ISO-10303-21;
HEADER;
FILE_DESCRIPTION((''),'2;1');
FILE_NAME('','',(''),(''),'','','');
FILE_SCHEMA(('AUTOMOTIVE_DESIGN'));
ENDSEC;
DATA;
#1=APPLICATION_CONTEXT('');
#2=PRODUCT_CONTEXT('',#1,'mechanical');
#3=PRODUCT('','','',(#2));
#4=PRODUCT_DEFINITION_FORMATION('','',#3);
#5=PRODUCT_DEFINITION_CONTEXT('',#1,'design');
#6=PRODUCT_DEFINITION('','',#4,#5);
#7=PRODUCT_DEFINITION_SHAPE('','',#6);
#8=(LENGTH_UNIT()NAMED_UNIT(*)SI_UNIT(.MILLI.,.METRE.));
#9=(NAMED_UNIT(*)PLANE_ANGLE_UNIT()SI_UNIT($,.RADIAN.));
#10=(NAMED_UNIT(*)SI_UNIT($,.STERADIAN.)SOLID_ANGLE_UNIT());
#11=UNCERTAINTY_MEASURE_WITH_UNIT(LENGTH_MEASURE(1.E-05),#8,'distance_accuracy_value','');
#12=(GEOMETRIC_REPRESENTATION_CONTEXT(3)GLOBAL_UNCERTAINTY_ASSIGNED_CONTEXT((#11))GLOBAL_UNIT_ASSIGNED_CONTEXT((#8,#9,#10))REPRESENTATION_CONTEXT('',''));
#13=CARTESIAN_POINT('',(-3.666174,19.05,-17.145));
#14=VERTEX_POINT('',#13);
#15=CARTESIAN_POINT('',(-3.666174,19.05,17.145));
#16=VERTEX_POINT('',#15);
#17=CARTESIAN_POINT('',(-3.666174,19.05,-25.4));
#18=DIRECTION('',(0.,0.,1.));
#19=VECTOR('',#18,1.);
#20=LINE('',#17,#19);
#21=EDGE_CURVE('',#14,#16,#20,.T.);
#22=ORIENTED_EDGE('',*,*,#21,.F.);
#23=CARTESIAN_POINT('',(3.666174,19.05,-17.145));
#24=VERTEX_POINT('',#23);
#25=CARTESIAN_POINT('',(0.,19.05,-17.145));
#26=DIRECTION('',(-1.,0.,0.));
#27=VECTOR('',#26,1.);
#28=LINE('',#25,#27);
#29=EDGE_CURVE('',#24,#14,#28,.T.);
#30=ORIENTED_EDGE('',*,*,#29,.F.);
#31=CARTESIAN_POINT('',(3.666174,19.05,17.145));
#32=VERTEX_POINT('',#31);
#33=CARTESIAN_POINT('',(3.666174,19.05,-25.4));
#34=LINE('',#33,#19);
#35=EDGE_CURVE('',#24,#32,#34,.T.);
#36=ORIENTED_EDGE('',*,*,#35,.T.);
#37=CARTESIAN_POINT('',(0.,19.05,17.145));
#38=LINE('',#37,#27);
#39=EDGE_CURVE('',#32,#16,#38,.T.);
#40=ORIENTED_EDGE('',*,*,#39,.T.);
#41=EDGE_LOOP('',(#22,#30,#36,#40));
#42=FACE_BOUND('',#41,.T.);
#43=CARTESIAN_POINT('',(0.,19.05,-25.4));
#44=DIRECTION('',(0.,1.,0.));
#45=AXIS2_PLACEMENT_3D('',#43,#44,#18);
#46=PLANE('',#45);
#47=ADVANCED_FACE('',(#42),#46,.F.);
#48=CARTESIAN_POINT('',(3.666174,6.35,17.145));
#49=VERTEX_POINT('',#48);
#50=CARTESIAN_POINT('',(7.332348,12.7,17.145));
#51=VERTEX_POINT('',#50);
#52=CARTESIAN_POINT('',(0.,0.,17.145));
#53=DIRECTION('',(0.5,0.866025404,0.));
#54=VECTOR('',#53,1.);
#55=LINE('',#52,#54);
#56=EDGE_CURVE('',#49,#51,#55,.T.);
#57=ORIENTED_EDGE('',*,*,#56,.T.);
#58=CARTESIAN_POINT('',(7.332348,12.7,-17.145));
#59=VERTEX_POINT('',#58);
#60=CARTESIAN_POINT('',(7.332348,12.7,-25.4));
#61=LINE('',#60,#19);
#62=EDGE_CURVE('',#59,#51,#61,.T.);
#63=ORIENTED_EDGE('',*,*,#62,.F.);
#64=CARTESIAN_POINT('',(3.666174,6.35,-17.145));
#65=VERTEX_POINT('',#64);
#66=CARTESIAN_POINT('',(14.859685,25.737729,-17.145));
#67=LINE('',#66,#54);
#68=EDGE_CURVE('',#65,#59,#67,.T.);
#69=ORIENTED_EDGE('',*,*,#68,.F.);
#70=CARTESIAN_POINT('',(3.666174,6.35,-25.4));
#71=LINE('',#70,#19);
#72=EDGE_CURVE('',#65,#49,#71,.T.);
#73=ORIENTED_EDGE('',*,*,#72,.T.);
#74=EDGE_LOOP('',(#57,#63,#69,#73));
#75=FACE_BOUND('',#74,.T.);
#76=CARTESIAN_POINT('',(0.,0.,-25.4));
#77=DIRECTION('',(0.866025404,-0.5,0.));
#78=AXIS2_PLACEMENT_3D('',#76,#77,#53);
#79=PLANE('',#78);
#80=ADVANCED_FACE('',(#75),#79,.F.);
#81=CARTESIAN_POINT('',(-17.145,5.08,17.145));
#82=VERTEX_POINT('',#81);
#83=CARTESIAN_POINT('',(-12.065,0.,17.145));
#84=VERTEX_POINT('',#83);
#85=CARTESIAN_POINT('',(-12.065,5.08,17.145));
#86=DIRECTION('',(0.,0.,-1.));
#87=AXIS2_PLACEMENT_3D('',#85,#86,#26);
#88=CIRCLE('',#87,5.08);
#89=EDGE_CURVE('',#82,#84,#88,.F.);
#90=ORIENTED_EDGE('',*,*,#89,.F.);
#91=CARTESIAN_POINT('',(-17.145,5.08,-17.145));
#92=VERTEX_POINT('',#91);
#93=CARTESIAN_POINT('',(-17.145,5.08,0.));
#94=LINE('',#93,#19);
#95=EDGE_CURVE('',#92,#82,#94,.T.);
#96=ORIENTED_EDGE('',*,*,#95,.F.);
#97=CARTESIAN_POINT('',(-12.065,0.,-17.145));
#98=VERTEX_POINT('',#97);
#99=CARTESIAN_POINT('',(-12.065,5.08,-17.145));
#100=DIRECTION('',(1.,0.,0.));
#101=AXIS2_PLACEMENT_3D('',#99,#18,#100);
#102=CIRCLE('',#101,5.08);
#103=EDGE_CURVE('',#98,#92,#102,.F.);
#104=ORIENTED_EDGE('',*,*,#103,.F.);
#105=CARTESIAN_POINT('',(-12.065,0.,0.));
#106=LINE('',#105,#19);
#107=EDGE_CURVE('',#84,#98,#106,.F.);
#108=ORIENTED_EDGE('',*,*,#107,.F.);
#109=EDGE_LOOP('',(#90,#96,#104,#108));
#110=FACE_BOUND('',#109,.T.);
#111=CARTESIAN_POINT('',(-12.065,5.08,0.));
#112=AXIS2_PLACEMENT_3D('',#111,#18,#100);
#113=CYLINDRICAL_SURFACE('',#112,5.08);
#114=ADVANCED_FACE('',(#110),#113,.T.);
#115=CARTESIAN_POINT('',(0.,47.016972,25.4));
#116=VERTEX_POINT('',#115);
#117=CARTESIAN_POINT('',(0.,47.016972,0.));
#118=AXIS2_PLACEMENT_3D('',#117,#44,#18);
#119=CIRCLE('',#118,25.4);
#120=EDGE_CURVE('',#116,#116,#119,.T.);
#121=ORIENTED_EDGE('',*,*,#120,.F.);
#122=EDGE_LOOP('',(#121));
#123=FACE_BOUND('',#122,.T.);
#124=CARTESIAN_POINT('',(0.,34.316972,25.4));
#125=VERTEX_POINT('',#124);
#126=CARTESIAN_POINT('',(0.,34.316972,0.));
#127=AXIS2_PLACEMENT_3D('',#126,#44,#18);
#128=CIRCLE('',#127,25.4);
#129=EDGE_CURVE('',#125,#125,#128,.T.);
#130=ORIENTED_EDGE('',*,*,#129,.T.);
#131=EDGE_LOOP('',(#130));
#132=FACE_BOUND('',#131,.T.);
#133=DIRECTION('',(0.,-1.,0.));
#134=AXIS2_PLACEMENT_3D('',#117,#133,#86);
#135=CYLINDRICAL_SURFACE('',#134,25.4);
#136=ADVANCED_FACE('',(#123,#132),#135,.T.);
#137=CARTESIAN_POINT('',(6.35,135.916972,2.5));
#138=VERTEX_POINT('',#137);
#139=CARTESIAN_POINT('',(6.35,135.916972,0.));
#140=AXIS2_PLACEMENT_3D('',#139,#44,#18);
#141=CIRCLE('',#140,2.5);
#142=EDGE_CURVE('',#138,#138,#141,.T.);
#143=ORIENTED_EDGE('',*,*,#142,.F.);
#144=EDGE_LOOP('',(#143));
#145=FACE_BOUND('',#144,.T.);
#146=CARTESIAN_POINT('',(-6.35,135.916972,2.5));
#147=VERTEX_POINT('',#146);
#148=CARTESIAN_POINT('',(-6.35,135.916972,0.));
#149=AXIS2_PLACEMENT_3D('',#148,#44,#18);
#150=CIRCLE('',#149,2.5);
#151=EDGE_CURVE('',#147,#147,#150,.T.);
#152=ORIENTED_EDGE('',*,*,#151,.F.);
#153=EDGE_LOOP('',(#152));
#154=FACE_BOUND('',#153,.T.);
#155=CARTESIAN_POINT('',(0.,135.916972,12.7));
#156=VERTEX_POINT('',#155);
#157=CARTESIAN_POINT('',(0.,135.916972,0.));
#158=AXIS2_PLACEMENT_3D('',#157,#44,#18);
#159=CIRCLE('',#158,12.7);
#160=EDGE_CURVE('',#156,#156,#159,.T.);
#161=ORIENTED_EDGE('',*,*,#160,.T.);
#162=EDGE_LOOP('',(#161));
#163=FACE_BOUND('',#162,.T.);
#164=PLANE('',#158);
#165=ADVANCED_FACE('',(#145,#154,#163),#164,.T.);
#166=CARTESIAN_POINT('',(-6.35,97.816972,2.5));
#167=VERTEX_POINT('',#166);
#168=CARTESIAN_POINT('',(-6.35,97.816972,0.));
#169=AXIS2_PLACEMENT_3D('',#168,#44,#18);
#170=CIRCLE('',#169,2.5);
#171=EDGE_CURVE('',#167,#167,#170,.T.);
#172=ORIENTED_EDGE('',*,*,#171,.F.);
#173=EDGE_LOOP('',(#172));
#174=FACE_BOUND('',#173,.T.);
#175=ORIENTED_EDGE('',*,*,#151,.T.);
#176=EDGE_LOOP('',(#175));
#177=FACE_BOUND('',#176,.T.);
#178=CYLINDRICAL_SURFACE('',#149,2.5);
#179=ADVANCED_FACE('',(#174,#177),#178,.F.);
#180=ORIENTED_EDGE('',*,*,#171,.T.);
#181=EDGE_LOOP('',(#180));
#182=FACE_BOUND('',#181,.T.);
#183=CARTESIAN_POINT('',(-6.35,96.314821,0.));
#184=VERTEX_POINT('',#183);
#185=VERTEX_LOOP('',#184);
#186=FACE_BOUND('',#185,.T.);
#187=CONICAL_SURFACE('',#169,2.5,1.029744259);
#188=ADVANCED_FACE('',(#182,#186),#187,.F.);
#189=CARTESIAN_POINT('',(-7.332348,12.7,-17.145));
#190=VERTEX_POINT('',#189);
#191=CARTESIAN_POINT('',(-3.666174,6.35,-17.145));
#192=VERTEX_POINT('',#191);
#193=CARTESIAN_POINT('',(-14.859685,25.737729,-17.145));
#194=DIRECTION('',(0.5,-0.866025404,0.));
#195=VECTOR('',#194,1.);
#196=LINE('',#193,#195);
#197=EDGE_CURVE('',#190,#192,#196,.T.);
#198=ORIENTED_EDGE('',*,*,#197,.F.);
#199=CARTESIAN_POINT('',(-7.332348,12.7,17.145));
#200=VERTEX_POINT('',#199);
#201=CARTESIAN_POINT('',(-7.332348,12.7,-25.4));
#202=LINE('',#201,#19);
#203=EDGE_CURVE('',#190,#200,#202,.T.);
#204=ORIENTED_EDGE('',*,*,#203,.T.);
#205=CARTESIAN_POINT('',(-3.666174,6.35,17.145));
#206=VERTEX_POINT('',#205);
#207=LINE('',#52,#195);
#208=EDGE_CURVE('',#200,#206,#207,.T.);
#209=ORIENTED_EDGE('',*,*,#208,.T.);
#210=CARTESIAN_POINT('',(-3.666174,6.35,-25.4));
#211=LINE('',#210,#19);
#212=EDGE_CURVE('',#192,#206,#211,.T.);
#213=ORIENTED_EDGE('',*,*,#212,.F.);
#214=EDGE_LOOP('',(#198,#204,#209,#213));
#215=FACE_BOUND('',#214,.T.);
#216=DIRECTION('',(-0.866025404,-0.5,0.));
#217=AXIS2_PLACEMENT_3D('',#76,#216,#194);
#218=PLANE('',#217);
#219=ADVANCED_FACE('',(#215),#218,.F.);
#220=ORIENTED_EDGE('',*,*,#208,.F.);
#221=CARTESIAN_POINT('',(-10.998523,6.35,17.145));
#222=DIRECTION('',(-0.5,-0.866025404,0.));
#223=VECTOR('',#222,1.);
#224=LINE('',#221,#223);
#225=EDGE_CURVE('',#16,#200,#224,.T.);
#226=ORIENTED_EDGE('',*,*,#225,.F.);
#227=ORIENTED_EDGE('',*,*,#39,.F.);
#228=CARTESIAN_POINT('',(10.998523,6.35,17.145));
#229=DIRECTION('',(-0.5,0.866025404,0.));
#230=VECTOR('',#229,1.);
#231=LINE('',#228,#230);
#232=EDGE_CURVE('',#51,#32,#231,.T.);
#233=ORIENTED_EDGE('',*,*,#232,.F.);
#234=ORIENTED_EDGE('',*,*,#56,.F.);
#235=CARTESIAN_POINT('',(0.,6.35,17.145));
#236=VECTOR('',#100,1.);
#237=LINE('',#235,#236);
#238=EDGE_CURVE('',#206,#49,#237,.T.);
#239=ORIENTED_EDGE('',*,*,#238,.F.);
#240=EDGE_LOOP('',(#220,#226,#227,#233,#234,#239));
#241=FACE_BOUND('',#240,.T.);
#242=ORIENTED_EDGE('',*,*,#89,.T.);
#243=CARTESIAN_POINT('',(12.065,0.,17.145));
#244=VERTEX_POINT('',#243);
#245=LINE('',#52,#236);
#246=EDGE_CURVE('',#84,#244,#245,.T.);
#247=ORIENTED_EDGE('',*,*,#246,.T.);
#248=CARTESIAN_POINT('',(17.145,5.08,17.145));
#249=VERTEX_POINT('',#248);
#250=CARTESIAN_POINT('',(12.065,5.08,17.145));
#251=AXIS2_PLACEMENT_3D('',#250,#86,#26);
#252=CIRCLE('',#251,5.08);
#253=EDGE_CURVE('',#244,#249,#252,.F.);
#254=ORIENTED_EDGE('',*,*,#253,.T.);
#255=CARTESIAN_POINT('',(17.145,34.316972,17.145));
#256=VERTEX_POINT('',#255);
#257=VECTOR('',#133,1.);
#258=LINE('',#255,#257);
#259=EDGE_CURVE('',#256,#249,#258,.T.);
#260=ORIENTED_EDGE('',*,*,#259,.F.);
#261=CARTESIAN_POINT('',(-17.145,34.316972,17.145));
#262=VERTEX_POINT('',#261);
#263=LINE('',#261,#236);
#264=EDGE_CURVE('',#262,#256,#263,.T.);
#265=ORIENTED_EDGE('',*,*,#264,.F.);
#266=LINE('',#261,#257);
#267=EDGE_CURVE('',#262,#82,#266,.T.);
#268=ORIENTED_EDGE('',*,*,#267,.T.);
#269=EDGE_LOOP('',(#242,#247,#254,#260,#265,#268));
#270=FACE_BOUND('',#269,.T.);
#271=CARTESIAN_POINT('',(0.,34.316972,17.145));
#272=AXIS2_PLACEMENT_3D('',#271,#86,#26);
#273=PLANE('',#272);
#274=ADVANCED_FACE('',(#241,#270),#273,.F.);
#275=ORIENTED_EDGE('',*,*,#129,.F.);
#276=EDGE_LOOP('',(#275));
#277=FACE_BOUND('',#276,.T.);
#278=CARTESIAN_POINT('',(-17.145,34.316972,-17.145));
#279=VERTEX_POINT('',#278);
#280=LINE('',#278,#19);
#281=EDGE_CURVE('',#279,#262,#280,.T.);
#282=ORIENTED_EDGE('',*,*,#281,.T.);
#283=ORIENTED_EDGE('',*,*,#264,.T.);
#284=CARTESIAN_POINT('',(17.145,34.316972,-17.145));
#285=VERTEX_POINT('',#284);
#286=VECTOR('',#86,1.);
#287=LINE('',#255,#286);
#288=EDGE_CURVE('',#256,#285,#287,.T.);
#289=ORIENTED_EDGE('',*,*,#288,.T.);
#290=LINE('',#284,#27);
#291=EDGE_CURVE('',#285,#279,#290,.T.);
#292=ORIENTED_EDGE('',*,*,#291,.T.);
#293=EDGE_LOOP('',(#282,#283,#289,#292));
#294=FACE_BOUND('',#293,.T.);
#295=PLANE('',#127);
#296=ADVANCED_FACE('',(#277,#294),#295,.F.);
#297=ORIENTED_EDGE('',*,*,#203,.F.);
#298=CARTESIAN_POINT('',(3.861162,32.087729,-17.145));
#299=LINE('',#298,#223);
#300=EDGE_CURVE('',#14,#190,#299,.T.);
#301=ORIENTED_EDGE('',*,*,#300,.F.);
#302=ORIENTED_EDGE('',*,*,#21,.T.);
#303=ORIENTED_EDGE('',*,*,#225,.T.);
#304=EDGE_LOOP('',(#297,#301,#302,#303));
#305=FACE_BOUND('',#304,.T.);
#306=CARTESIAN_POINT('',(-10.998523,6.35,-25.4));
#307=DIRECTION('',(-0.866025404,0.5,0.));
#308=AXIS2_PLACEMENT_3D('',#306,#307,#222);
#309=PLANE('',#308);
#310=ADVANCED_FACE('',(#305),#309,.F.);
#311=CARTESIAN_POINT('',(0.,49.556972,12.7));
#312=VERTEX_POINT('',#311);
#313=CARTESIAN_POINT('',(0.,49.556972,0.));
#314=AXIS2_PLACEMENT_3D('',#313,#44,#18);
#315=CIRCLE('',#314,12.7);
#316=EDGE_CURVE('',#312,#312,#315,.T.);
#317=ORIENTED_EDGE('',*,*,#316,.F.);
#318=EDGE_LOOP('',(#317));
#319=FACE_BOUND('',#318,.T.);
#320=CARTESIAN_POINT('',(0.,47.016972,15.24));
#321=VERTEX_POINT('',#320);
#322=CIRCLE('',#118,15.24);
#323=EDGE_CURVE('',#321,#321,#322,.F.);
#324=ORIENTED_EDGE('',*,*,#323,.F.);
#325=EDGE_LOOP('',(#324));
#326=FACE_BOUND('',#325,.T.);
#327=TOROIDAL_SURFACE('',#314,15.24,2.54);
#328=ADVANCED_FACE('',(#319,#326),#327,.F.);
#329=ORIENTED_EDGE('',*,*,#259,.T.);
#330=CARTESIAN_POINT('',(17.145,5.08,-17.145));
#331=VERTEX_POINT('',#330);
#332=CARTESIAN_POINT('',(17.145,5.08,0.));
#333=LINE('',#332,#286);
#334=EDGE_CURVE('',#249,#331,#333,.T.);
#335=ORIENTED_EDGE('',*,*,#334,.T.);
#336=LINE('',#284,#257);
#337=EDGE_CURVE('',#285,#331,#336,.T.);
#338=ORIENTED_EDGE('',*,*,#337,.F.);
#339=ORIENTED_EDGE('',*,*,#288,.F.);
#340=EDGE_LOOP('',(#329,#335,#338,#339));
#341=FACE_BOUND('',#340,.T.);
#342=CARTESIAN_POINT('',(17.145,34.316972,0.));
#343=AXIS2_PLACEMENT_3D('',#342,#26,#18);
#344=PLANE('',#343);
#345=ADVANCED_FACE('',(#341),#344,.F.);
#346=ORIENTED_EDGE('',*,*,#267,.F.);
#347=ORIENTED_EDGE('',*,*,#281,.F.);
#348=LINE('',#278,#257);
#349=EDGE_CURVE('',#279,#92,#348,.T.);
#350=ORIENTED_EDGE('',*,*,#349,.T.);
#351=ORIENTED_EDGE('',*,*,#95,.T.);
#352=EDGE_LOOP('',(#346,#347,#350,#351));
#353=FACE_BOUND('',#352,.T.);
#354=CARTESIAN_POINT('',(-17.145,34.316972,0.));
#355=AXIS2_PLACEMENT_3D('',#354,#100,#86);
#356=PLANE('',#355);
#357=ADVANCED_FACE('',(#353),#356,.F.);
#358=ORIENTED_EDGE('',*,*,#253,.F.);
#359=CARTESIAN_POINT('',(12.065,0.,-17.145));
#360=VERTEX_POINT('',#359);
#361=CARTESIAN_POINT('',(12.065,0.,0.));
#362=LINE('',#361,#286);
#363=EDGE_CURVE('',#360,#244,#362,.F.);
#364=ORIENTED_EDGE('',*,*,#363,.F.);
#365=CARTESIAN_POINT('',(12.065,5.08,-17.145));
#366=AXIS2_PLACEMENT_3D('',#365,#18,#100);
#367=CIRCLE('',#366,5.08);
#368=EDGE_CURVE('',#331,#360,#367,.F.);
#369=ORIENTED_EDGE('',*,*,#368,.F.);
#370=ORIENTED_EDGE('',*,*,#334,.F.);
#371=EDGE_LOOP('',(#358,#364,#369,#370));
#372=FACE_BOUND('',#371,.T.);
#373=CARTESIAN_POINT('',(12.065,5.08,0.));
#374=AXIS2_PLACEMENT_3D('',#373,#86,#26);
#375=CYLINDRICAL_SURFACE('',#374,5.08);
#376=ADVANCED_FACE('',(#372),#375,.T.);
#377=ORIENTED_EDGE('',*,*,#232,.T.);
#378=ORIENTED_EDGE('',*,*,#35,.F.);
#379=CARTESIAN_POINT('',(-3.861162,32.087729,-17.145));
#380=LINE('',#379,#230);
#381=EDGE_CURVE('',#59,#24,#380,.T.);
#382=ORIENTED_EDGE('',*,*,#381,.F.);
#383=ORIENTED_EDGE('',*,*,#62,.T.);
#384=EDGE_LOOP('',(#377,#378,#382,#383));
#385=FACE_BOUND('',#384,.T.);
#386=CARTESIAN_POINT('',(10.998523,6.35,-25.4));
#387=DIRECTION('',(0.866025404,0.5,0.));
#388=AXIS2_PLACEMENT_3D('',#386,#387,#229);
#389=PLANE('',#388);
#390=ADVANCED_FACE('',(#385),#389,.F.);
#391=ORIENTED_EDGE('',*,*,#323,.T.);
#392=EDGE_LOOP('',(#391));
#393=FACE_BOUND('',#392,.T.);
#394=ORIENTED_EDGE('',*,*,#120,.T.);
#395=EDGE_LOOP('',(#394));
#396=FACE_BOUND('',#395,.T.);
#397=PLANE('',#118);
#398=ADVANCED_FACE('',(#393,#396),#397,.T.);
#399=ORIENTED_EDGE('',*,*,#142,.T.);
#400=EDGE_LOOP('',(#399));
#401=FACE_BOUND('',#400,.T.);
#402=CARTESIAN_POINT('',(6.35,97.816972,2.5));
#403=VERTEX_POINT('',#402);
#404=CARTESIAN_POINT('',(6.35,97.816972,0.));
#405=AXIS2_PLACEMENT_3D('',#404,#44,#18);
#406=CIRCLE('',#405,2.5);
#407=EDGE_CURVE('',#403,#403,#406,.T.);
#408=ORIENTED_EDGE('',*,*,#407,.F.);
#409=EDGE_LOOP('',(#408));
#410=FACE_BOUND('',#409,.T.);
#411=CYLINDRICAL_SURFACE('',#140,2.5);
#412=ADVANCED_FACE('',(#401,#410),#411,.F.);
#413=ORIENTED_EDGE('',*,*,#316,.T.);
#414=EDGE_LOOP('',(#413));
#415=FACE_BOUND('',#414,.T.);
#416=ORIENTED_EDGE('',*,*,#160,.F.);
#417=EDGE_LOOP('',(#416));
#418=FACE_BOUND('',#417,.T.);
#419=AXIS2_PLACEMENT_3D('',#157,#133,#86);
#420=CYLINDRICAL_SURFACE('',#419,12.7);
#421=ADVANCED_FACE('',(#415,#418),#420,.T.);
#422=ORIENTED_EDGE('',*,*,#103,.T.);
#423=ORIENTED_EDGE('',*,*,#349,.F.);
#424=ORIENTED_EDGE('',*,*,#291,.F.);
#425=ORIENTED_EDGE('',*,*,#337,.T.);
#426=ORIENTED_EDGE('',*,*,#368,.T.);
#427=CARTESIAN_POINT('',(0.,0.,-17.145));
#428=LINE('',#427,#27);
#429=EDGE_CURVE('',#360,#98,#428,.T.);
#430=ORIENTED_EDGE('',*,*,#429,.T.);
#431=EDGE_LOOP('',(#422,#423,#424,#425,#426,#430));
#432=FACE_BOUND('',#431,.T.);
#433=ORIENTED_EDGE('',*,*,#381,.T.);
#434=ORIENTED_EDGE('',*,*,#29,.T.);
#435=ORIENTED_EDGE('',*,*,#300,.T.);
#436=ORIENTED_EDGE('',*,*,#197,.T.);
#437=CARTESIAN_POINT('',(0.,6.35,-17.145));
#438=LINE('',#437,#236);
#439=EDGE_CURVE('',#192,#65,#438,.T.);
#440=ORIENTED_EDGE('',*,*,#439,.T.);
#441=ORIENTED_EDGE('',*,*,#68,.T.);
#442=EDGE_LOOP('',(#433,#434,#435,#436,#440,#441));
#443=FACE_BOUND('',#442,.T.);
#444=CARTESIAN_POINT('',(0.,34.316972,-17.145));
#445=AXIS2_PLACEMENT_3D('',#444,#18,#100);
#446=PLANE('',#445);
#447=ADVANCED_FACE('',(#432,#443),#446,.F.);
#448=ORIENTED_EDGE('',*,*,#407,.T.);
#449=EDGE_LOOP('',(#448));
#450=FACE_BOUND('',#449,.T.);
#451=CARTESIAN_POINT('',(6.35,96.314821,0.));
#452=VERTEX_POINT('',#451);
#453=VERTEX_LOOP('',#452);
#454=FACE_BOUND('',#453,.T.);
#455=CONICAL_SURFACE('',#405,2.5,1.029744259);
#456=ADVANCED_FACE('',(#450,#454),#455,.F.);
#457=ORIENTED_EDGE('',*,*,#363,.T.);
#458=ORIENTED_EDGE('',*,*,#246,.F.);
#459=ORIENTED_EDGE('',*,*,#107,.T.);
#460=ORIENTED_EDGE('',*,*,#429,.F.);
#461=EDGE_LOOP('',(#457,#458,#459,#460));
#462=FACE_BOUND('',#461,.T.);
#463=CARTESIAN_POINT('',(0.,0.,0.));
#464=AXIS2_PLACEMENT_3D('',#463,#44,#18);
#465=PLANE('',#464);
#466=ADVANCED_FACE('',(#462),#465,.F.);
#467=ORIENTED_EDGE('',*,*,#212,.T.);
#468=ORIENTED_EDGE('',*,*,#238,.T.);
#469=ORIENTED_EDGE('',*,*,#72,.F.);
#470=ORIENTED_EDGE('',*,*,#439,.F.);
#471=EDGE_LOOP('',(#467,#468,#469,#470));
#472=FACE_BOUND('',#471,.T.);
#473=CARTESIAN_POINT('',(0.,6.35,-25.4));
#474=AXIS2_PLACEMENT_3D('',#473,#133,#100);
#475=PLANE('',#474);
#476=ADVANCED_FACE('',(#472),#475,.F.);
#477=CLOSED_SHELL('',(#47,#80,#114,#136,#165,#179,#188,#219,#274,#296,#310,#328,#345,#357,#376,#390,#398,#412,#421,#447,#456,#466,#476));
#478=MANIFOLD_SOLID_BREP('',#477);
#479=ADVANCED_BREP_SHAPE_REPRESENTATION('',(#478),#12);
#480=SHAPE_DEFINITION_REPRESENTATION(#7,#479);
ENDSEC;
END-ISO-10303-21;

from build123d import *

# Parameters (mm, degrees)
BOSS_EXTRUDE1_DEPTH       = 34.31697226
SKETCH4_R                 = 25.4
BOSS_EXTRUDE2_DEPTH       = 12.7
SKETCH6_R                 = 12.7
BOSS_EXTRUDE3_DEPTH       = 88.9
CUT_EXTRUDE1_DEPTH        = 145.667412963
FILLET1_R                 = 5.08
FILLET2_R                 = 2.54
M6X1_0_TAPPED_HOLE1_D     = 5
M6X1_0_TAPPED_HOLE1_DEPTH = 38.1
M6X1_0_TAPPED_HOLE1_TIP   = 1.502151548


with BuildPart() as part:
    # Sketch3 → Boss-Extrude1 (new body)
    with BuildSketch(Plane(origin=(0, 0, 0), x_dir=(1, 0, 0), z_dir=(0, 1, 0))):
        Polygon((17.145, 0), (17.145, 17.145), (0, 17.145), (-17.145, 17.145), (-17.145, 0), (-17.145, -17.145), (0, -17.145), (17.145, -17.145), align=None)
    extrude(amount=BOSS_EXTRUDE1_DEPTH)

    # Sketch4 → Boss-Extrude2 (add)
    with BuildSketch(Plane(origin=(0, 34.31697226, 0), x_dir=(1, 0, 0), z_dir=(0, 1, 0))):
        with Locations(Location((0, 0, 0), (0, 0, 270))):
            Circle(SKETCH4_R)
    extrude(amount=BOSS_EXTRUDE2_DEPTH)

    # Sketch6 → Boss-Extrude3 (add)
    with BuildSketch(Plane(origin=(0, 47.01697226, 0), x_dir=(1, 0, 0), z_dir=(0, 1, 0))):
        with Locations(Location((0, 0, 0), (0, 0, 270))):
            Circle(SKETCH6_R)
    extrude(amount=BOSS_EXTRUDE3_DEPTH)

    # Sketch7 → Cut-Extrude1 (cut, through all)
    with BuildSketch(Plane.XY.offset(17.145)):
        Polygon((7.332348419, 12.7), (3.666174209, 19.05), (-3.666174209, 19.05), (-7.332348419, 12.7), (-3.666174209, 6.35), (3.666174209, 6.35), align=None)
    extrude(amount=-CUT_EXTRUDE1_DEPTH, mode=Mode.SUBTRACT)

    # Fillet1
    fillet1_edges = [part.edges().sort_by_distance(p)[0] for p in [
        (17.145, 0, 0),
        (-17.145, 0, 0),
    ]]
    fillet(fillet1_edges, radius=FILLET1_R)

    # Fillet2
    fillet2_edges = [part.edges().sort_by_distance(p)[0] for p in [
        (0, 47.01697226, -12.7),
    ]]
    fillet(fillet2_edges, radius=FILLET2_R)

    # M6x1.0 Tapped Hole1
    with Locations(Plane(origin=(0, 135.91697226, 0), x_dir=(1, 0, 0), z_dir=(0, 1, 0))):
        with Locations((6.35, 0), (-6.35, 0)):
            Hole(M6X1_0_TAPPED_HOLE1_D / 2, depth=M6X1_0_TAPPED_HOLE1_DEPTH)
            with Locations((0, 0, -(M6X1_0_TAPPED_HOLE1_DEPTH + M6X1_0_TAPPED_HOLE1_TIP / 2))):  # 118° drill point
                Cone(0, M6X1_0_TAPPED_HOLE1_D / 2, M6X1_0_TAPPED_HOLE1_TIP, mode=Mode.SUBTRACT)


solid = part.part
